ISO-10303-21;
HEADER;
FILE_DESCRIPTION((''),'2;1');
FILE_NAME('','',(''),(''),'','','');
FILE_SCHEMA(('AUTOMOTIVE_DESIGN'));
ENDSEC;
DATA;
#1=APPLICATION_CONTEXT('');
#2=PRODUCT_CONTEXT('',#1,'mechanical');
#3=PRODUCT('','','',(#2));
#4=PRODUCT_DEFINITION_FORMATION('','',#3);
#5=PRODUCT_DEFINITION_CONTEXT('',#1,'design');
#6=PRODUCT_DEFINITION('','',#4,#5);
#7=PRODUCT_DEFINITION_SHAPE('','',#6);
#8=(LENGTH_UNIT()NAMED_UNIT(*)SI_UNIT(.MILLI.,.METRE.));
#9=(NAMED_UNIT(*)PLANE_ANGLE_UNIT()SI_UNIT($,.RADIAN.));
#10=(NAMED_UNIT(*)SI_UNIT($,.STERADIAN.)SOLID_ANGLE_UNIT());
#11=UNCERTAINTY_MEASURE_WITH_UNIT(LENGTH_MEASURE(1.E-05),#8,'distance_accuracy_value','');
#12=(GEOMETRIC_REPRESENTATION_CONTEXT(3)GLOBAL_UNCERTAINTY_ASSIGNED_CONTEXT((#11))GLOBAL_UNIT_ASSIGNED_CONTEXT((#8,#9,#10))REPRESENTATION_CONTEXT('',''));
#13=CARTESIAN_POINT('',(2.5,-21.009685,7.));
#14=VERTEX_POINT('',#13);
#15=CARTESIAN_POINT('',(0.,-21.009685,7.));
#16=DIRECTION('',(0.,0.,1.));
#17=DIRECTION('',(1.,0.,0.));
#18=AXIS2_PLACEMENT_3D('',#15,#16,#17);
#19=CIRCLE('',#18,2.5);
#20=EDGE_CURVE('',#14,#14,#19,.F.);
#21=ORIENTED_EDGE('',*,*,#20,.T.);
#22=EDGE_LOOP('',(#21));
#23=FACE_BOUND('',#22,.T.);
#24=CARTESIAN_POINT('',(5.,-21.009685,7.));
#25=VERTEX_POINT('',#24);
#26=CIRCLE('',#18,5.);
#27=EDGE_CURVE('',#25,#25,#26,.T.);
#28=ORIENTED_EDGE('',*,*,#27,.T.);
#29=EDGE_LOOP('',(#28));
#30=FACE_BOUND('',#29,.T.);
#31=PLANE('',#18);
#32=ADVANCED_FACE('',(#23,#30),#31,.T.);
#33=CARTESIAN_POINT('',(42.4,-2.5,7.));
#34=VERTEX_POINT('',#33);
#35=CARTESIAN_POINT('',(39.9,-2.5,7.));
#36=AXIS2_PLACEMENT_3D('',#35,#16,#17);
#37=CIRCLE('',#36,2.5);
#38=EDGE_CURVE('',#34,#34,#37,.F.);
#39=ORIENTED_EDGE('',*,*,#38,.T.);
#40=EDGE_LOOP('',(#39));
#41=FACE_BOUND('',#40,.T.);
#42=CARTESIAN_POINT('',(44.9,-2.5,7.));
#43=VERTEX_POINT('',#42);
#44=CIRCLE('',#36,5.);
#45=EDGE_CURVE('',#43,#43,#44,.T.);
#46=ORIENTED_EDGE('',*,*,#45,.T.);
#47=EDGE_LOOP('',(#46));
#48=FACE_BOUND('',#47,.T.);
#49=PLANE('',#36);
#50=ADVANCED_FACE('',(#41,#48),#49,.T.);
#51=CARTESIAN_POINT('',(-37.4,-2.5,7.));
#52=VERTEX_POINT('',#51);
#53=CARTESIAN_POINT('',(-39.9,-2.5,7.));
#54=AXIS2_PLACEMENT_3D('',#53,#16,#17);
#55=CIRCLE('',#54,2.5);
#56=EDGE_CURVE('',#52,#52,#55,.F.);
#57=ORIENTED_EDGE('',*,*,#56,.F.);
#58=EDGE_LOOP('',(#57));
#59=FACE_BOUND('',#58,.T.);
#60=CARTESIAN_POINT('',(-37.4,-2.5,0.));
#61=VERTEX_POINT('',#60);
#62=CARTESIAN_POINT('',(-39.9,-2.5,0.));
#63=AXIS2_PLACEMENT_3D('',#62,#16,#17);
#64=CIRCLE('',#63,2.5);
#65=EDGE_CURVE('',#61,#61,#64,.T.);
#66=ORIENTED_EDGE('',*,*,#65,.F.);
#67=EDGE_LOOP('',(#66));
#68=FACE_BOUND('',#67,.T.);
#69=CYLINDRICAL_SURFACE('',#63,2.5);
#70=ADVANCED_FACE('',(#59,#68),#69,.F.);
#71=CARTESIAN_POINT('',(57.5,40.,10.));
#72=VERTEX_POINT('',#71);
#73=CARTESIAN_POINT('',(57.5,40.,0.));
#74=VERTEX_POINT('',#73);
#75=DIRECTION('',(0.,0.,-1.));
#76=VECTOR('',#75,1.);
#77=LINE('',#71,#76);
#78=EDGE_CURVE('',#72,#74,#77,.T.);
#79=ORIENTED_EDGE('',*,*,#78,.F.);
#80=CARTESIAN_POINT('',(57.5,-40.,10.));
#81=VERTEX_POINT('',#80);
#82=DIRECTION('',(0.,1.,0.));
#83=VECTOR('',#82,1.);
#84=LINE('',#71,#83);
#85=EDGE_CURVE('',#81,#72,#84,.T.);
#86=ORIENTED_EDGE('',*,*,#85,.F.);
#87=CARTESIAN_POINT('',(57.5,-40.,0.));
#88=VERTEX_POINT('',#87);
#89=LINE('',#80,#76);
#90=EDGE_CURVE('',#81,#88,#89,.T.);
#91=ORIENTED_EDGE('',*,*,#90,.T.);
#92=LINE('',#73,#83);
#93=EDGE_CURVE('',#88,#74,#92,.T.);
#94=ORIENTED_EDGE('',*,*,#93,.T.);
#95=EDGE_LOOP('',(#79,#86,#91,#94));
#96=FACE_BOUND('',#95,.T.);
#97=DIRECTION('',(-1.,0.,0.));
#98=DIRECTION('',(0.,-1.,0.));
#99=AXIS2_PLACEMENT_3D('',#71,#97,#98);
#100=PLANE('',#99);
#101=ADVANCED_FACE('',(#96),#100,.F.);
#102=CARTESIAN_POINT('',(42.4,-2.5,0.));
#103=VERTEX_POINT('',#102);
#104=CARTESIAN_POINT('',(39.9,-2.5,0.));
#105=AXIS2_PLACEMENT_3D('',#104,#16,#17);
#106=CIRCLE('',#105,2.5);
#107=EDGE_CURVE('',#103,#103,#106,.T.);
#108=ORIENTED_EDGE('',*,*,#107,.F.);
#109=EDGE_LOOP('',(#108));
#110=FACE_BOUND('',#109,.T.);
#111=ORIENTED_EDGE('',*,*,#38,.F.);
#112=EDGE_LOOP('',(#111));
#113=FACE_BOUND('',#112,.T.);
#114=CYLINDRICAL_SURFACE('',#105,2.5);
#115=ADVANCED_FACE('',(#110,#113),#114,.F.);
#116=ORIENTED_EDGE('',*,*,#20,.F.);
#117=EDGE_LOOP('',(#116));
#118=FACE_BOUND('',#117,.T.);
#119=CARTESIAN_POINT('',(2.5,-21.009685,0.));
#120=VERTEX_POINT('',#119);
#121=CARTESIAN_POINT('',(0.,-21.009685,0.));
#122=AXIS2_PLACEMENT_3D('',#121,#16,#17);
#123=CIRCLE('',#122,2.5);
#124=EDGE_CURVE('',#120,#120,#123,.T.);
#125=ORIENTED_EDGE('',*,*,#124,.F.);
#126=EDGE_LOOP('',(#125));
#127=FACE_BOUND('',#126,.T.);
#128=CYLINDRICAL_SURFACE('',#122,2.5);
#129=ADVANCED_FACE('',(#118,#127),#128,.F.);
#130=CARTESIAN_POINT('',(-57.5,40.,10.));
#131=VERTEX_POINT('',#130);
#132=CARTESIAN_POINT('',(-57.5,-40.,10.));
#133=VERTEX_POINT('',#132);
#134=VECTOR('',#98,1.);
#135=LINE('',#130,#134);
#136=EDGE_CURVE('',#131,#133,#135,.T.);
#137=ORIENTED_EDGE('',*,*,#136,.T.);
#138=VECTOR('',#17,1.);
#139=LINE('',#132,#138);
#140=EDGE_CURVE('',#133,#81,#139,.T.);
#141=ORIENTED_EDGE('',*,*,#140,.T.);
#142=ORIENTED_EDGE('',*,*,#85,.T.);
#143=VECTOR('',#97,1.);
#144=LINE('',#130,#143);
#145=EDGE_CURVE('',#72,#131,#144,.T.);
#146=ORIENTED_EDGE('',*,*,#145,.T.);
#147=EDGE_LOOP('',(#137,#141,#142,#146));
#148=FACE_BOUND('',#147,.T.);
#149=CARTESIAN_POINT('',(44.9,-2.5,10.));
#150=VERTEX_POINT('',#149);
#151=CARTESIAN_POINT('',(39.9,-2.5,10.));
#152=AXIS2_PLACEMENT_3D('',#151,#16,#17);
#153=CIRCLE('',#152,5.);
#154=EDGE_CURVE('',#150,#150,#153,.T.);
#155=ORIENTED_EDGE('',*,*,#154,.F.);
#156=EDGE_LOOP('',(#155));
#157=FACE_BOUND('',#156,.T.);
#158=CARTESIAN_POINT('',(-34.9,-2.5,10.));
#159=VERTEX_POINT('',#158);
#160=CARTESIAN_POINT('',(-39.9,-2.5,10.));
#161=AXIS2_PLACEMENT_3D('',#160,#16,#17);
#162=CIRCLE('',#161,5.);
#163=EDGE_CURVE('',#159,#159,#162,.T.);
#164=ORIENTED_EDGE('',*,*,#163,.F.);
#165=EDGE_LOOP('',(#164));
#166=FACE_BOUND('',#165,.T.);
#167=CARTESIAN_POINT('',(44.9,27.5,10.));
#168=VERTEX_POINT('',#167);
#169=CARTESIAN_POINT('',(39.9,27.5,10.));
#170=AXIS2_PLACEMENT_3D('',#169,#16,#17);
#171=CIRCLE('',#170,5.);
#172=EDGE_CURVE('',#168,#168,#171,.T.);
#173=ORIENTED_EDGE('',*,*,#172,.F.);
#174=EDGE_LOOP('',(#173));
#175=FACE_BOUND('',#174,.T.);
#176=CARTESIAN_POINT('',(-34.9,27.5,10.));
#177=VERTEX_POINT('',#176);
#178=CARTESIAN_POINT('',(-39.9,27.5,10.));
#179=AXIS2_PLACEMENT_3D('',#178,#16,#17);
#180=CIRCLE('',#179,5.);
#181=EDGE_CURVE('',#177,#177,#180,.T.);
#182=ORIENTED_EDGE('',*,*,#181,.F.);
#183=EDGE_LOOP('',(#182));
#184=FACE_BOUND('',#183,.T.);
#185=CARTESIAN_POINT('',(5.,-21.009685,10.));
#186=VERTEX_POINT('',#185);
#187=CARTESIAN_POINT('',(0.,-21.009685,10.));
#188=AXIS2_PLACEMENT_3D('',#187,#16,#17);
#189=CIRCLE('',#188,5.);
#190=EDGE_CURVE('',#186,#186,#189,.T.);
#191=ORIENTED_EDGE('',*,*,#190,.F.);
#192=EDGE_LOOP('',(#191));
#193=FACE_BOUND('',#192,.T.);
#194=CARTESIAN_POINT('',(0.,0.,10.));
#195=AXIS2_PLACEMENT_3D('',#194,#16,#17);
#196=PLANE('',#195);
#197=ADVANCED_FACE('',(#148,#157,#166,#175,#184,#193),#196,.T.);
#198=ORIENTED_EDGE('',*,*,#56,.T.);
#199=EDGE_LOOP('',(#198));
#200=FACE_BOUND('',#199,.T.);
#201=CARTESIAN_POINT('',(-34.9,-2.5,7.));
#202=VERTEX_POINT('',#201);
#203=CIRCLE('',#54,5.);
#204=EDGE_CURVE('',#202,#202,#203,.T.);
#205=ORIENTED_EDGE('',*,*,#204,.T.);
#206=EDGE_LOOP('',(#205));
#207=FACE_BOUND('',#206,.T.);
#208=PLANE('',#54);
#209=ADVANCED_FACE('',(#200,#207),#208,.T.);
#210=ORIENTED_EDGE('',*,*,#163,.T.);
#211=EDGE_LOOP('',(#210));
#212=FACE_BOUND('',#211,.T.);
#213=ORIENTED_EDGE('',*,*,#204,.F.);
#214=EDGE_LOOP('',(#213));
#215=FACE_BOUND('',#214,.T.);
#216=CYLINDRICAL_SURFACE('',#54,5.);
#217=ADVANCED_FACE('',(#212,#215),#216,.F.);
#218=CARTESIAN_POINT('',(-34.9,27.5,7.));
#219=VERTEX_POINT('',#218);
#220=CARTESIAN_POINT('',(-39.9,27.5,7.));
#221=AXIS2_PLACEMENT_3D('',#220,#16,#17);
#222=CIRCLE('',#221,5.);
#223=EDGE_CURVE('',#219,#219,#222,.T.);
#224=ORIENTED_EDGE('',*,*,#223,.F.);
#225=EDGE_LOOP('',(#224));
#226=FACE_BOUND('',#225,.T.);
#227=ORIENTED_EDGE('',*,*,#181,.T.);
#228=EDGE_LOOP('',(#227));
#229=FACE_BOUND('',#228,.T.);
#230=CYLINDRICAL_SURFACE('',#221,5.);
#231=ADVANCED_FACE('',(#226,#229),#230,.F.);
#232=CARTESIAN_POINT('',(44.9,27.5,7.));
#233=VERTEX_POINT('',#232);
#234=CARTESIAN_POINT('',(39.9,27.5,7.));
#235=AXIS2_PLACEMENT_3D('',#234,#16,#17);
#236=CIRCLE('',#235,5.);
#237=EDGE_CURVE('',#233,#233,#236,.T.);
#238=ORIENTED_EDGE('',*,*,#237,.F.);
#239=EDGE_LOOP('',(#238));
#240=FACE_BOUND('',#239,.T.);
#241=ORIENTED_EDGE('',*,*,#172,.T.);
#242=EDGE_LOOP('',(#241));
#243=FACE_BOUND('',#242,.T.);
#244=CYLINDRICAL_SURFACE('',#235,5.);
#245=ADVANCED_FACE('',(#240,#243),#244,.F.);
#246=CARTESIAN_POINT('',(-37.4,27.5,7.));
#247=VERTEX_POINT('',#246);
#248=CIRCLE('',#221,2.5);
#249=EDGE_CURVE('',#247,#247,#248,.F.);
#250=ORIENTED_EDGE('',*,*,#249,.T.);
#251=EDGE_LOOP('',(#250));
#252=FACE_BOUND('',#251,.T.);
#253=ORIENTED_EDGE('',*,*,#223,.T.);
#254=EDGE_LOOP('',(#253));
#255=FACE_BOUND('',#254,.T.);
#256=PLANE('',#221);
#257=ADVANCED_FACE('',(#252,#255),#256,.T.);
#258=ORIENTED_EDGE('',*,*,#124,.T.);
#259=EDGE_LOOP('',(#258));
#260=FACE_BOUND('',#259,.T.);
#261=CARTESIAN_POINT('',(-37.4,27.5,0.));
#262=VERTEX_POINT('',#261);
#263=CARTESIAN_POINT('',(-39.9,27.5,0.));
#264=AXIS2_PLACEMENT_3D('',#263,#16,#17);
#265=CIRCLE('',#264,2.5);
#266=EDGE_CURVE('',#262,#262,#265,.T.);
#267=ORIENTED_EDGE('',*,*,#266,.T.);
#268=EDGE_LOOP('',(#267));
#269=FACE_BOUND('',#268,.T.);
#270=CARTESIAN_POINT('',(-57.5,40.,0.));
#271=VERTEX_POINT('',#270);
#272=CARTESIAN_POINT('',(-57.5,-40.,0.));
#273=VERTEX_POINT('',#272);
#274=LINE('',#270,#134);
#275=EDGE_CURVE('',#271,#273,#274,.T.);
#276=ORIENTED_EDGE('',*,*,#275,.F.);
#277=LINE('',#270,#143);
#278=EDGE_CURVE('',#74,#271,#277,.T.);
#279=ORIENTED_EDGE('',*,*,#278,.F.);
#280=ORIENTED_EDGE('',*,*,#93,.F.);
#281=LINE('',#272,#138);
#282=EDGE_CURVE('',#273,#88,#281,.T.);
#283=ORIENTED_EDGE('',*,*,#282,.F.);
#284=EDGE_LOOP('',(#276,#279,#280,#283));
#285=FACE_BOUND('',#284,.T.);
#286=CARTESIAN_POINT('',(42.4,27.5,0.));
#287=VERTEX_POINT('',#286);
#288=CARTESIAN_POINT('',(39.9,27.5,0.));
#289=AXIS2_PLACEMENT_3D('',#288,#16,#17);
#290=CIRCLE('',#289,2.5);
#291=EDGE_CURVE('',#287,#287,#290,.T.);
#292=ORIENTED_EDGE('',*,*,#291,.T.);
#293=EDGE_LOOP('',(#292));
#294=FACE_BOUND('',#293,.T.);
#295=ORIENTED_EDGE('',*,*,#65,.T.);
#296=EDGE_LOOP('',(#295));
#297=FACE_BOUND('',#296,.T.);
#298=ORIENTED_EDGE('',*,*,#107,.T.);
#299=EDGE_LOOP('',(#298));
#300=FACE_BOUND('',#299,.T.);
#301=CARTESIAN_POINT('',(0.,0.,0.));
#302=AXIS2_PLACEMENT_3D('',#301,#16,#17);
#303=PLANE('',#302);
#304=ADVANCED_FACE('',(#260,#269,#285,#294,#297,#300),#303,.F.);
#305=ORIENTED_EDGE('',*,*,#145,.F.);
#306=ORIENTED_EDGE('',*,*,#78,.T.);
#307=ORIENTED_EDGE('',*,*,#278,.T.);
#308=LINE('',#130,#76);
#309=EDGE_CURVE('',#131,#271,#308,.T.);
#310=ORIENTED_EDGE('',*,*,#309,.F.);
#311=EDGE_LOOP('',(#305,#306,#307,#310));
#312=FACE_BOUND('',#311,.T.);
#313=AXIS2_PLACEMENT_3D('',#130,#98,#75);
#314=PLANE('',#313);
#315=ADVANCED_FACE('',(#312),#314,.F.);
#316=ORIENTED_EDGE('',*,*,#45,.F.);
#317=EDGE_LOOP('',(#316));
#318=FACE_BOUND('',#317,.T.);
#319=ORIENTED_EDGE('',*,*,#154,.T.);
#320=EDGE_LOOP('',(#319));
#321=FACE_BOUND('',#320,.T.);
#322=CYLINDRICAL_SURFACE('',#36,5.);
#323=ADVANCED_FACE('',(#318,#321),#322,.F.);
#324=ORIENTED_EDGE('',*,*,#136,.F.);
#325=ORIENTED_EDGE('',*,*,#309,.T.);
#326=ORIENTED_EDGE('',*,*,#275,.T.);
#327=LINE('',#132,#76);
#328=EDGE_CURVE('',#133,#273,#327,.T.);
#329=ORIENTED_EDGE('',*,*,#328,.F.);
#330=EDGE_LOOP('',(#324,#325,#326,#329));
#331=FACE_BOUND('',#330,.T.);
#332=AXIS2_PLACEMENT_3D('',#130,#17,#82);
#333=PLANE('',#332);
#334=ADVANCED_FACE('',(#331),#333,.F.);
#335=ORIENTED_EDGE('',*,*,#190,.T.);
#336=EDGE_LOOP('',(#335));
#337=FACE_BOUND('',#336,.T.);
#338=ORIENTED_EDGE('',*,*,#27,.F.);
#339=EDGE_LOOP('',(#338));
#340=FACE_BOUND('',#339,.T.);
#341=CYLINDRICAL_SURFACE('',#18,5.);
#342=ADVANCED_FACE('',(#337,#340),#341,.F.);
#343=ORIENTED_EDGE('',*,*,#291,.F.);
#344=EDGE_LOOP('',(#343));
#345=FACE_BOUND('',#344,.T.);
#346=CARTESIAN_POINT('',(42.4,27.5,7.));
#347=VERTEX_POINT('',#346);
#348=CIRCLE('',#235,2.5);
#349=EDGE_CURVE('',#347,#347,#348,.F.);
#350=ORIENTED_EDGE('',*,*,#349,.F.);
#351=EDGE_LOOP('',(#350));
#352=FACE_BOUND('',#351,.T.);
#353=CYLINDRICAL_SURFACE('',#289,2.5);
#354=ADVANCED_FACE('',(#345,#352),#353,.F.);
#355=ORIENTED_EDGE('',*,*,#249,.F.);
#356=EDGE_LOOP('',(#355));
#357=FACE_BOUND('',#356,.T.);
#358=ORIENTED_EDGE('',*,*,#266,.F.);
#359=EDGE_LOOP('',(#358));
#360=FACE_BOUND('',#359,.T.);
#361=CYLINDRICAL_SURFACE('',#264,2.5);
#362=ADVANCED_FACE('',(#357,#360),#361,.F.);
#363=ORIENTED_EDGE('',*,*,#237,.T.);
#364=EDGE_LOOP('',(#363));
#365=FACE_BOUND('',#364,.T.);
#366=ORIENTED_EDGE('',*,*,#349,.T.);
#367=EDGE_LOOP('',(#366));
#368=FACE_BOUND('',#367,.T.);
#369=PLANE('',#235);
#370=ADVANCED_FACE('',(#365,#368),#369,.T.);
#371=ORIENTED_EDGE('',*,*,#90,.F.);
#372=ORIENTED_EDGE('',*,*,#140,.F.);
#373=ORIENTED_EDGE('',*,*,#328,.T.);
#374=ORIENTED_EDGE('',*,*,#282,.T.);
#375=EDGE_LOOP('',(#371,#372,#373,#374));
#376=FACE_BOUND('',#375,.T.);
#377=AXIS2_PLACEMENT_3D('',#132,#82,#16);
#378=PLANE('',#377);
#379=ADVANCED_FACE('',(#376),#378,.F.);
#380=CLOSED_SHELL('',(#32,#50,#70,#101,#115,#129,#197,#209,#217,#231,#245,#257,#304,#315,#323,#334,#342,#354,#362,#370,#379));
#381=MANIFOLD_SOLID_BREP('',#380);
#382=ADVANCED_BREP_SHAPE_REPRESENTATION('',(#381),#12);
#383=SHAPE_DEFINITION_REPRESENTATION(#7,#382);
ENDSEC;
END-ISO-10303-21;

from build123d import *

# Parameters (mm, degrees)
SKETCH1_W            = 115
SKETCH1_H            = 80
BOSS_EXTRUDE1_DEPTH  = 10
SKETCH2_R            = 2.5
CUT_EXTRUDE1_DEPTH   = 10
LPATTERN1_COUNT      = 2
LPATTERN1_PITCH      = 79.8
LPATTERN1_COUNT_DIR2 = 2
LPATTERN1_PITCH_DIR2 = 30
SKETCH4_R            = 5
CUT_EXTRUDE2_DEPTH   = 3
LPATTERN2_COUNT      = 2
LPATTERN2_PITCH      = 79.8
LPATTERN2_COUNT_DIR2 = 2
LPATTERN2_PITCH_DIR2 = 30
SKETCH5_R            = 2.5
CUT_EXTRUDE3_DEPTH   = 11
SKETCH6_R            = 5
CUT_EXTRUDE4_DEPTH   = 3


with BuildPart() as part:
    # Sketch1 → Boss-Extrude1 (new body)
    with BuildSketch(Plane.XY):
        Rectangle(SKETCH1_W, SKETCH1_H)
    extrude(amount=BOSS_EXTRUDE1_DEPTH)

    # Sketch2 → Cut-Extrude1 (cut)
    with BuildSketch(Plane.XY.offset(10)):
        with Locations((-39.9, 27.5)):
            Circle(SKETCH2_R)
    cut_extrude1 = extrude(amount=-CUT_EXTRUDE1_DEPTH, mode=Mode.SUBTRACT)

    # LPattern1: Cut-Extrude1 2 × 2
    with Locations(*[(i * LPATTERN1_PITCH, -j * LPATTERN1_PITCH_DIR2, 0) for i in range(LPATTERN1_COUNT) for j in range(LPATTERN1_COUNT_DIR2) if (i, j) != (0, 0)]):
        add(cut_extrude1, mode=Mode.SUBTRACT)

    # Sketch4 → Cut-Extrude2 (cut)
    with BuildSketch(Plane.XY.offset(10)):
        with Locations((-39.9, 27.5)):
            Circle(SKETCH4_R)
    cut_extrude2 = extrude(amount=-CUT_EXTRUDE2_DEPTH, mode=Mode.SUBTRACT)

    # LPattern2: Cut-Extrude2 2 × 2
    with Locations(*[(i * LPATTERN2_PITCH, -j * LPATTERN2_PITCH_DIR2, 0) for i in range(LPATTERN2_COUNT) for j in range(LPATTERN2_COUNT_DIR2) if (i, j) != (0, 0)]):
        add(cut_extrude2, mode=Mode.SUBTRACT)

    # Sketch5 → Cut-Extrude3 (cut, through all)
    with BuildSketch(Plane.XY.offset(10)):
        with Locations((0, -21.009684694)):
            Circle(SKETCH5_R)
    extrude(amount=-CUT_EXTRUDE3_DEPTH, mode=Mode.SUBTRACT)

    # Sketch6 → Cut-Extrude4 (cut)
    with BuildSketch(Plane.XY.offset(10)):
        with Locations((0, -21.009684694)):
            Circle(SKETCH6_R)
    extrude(amount=-CUT_EXTRUDE4_DEPTH, mode=Mode.SUBTRACT)


solid = part.part
